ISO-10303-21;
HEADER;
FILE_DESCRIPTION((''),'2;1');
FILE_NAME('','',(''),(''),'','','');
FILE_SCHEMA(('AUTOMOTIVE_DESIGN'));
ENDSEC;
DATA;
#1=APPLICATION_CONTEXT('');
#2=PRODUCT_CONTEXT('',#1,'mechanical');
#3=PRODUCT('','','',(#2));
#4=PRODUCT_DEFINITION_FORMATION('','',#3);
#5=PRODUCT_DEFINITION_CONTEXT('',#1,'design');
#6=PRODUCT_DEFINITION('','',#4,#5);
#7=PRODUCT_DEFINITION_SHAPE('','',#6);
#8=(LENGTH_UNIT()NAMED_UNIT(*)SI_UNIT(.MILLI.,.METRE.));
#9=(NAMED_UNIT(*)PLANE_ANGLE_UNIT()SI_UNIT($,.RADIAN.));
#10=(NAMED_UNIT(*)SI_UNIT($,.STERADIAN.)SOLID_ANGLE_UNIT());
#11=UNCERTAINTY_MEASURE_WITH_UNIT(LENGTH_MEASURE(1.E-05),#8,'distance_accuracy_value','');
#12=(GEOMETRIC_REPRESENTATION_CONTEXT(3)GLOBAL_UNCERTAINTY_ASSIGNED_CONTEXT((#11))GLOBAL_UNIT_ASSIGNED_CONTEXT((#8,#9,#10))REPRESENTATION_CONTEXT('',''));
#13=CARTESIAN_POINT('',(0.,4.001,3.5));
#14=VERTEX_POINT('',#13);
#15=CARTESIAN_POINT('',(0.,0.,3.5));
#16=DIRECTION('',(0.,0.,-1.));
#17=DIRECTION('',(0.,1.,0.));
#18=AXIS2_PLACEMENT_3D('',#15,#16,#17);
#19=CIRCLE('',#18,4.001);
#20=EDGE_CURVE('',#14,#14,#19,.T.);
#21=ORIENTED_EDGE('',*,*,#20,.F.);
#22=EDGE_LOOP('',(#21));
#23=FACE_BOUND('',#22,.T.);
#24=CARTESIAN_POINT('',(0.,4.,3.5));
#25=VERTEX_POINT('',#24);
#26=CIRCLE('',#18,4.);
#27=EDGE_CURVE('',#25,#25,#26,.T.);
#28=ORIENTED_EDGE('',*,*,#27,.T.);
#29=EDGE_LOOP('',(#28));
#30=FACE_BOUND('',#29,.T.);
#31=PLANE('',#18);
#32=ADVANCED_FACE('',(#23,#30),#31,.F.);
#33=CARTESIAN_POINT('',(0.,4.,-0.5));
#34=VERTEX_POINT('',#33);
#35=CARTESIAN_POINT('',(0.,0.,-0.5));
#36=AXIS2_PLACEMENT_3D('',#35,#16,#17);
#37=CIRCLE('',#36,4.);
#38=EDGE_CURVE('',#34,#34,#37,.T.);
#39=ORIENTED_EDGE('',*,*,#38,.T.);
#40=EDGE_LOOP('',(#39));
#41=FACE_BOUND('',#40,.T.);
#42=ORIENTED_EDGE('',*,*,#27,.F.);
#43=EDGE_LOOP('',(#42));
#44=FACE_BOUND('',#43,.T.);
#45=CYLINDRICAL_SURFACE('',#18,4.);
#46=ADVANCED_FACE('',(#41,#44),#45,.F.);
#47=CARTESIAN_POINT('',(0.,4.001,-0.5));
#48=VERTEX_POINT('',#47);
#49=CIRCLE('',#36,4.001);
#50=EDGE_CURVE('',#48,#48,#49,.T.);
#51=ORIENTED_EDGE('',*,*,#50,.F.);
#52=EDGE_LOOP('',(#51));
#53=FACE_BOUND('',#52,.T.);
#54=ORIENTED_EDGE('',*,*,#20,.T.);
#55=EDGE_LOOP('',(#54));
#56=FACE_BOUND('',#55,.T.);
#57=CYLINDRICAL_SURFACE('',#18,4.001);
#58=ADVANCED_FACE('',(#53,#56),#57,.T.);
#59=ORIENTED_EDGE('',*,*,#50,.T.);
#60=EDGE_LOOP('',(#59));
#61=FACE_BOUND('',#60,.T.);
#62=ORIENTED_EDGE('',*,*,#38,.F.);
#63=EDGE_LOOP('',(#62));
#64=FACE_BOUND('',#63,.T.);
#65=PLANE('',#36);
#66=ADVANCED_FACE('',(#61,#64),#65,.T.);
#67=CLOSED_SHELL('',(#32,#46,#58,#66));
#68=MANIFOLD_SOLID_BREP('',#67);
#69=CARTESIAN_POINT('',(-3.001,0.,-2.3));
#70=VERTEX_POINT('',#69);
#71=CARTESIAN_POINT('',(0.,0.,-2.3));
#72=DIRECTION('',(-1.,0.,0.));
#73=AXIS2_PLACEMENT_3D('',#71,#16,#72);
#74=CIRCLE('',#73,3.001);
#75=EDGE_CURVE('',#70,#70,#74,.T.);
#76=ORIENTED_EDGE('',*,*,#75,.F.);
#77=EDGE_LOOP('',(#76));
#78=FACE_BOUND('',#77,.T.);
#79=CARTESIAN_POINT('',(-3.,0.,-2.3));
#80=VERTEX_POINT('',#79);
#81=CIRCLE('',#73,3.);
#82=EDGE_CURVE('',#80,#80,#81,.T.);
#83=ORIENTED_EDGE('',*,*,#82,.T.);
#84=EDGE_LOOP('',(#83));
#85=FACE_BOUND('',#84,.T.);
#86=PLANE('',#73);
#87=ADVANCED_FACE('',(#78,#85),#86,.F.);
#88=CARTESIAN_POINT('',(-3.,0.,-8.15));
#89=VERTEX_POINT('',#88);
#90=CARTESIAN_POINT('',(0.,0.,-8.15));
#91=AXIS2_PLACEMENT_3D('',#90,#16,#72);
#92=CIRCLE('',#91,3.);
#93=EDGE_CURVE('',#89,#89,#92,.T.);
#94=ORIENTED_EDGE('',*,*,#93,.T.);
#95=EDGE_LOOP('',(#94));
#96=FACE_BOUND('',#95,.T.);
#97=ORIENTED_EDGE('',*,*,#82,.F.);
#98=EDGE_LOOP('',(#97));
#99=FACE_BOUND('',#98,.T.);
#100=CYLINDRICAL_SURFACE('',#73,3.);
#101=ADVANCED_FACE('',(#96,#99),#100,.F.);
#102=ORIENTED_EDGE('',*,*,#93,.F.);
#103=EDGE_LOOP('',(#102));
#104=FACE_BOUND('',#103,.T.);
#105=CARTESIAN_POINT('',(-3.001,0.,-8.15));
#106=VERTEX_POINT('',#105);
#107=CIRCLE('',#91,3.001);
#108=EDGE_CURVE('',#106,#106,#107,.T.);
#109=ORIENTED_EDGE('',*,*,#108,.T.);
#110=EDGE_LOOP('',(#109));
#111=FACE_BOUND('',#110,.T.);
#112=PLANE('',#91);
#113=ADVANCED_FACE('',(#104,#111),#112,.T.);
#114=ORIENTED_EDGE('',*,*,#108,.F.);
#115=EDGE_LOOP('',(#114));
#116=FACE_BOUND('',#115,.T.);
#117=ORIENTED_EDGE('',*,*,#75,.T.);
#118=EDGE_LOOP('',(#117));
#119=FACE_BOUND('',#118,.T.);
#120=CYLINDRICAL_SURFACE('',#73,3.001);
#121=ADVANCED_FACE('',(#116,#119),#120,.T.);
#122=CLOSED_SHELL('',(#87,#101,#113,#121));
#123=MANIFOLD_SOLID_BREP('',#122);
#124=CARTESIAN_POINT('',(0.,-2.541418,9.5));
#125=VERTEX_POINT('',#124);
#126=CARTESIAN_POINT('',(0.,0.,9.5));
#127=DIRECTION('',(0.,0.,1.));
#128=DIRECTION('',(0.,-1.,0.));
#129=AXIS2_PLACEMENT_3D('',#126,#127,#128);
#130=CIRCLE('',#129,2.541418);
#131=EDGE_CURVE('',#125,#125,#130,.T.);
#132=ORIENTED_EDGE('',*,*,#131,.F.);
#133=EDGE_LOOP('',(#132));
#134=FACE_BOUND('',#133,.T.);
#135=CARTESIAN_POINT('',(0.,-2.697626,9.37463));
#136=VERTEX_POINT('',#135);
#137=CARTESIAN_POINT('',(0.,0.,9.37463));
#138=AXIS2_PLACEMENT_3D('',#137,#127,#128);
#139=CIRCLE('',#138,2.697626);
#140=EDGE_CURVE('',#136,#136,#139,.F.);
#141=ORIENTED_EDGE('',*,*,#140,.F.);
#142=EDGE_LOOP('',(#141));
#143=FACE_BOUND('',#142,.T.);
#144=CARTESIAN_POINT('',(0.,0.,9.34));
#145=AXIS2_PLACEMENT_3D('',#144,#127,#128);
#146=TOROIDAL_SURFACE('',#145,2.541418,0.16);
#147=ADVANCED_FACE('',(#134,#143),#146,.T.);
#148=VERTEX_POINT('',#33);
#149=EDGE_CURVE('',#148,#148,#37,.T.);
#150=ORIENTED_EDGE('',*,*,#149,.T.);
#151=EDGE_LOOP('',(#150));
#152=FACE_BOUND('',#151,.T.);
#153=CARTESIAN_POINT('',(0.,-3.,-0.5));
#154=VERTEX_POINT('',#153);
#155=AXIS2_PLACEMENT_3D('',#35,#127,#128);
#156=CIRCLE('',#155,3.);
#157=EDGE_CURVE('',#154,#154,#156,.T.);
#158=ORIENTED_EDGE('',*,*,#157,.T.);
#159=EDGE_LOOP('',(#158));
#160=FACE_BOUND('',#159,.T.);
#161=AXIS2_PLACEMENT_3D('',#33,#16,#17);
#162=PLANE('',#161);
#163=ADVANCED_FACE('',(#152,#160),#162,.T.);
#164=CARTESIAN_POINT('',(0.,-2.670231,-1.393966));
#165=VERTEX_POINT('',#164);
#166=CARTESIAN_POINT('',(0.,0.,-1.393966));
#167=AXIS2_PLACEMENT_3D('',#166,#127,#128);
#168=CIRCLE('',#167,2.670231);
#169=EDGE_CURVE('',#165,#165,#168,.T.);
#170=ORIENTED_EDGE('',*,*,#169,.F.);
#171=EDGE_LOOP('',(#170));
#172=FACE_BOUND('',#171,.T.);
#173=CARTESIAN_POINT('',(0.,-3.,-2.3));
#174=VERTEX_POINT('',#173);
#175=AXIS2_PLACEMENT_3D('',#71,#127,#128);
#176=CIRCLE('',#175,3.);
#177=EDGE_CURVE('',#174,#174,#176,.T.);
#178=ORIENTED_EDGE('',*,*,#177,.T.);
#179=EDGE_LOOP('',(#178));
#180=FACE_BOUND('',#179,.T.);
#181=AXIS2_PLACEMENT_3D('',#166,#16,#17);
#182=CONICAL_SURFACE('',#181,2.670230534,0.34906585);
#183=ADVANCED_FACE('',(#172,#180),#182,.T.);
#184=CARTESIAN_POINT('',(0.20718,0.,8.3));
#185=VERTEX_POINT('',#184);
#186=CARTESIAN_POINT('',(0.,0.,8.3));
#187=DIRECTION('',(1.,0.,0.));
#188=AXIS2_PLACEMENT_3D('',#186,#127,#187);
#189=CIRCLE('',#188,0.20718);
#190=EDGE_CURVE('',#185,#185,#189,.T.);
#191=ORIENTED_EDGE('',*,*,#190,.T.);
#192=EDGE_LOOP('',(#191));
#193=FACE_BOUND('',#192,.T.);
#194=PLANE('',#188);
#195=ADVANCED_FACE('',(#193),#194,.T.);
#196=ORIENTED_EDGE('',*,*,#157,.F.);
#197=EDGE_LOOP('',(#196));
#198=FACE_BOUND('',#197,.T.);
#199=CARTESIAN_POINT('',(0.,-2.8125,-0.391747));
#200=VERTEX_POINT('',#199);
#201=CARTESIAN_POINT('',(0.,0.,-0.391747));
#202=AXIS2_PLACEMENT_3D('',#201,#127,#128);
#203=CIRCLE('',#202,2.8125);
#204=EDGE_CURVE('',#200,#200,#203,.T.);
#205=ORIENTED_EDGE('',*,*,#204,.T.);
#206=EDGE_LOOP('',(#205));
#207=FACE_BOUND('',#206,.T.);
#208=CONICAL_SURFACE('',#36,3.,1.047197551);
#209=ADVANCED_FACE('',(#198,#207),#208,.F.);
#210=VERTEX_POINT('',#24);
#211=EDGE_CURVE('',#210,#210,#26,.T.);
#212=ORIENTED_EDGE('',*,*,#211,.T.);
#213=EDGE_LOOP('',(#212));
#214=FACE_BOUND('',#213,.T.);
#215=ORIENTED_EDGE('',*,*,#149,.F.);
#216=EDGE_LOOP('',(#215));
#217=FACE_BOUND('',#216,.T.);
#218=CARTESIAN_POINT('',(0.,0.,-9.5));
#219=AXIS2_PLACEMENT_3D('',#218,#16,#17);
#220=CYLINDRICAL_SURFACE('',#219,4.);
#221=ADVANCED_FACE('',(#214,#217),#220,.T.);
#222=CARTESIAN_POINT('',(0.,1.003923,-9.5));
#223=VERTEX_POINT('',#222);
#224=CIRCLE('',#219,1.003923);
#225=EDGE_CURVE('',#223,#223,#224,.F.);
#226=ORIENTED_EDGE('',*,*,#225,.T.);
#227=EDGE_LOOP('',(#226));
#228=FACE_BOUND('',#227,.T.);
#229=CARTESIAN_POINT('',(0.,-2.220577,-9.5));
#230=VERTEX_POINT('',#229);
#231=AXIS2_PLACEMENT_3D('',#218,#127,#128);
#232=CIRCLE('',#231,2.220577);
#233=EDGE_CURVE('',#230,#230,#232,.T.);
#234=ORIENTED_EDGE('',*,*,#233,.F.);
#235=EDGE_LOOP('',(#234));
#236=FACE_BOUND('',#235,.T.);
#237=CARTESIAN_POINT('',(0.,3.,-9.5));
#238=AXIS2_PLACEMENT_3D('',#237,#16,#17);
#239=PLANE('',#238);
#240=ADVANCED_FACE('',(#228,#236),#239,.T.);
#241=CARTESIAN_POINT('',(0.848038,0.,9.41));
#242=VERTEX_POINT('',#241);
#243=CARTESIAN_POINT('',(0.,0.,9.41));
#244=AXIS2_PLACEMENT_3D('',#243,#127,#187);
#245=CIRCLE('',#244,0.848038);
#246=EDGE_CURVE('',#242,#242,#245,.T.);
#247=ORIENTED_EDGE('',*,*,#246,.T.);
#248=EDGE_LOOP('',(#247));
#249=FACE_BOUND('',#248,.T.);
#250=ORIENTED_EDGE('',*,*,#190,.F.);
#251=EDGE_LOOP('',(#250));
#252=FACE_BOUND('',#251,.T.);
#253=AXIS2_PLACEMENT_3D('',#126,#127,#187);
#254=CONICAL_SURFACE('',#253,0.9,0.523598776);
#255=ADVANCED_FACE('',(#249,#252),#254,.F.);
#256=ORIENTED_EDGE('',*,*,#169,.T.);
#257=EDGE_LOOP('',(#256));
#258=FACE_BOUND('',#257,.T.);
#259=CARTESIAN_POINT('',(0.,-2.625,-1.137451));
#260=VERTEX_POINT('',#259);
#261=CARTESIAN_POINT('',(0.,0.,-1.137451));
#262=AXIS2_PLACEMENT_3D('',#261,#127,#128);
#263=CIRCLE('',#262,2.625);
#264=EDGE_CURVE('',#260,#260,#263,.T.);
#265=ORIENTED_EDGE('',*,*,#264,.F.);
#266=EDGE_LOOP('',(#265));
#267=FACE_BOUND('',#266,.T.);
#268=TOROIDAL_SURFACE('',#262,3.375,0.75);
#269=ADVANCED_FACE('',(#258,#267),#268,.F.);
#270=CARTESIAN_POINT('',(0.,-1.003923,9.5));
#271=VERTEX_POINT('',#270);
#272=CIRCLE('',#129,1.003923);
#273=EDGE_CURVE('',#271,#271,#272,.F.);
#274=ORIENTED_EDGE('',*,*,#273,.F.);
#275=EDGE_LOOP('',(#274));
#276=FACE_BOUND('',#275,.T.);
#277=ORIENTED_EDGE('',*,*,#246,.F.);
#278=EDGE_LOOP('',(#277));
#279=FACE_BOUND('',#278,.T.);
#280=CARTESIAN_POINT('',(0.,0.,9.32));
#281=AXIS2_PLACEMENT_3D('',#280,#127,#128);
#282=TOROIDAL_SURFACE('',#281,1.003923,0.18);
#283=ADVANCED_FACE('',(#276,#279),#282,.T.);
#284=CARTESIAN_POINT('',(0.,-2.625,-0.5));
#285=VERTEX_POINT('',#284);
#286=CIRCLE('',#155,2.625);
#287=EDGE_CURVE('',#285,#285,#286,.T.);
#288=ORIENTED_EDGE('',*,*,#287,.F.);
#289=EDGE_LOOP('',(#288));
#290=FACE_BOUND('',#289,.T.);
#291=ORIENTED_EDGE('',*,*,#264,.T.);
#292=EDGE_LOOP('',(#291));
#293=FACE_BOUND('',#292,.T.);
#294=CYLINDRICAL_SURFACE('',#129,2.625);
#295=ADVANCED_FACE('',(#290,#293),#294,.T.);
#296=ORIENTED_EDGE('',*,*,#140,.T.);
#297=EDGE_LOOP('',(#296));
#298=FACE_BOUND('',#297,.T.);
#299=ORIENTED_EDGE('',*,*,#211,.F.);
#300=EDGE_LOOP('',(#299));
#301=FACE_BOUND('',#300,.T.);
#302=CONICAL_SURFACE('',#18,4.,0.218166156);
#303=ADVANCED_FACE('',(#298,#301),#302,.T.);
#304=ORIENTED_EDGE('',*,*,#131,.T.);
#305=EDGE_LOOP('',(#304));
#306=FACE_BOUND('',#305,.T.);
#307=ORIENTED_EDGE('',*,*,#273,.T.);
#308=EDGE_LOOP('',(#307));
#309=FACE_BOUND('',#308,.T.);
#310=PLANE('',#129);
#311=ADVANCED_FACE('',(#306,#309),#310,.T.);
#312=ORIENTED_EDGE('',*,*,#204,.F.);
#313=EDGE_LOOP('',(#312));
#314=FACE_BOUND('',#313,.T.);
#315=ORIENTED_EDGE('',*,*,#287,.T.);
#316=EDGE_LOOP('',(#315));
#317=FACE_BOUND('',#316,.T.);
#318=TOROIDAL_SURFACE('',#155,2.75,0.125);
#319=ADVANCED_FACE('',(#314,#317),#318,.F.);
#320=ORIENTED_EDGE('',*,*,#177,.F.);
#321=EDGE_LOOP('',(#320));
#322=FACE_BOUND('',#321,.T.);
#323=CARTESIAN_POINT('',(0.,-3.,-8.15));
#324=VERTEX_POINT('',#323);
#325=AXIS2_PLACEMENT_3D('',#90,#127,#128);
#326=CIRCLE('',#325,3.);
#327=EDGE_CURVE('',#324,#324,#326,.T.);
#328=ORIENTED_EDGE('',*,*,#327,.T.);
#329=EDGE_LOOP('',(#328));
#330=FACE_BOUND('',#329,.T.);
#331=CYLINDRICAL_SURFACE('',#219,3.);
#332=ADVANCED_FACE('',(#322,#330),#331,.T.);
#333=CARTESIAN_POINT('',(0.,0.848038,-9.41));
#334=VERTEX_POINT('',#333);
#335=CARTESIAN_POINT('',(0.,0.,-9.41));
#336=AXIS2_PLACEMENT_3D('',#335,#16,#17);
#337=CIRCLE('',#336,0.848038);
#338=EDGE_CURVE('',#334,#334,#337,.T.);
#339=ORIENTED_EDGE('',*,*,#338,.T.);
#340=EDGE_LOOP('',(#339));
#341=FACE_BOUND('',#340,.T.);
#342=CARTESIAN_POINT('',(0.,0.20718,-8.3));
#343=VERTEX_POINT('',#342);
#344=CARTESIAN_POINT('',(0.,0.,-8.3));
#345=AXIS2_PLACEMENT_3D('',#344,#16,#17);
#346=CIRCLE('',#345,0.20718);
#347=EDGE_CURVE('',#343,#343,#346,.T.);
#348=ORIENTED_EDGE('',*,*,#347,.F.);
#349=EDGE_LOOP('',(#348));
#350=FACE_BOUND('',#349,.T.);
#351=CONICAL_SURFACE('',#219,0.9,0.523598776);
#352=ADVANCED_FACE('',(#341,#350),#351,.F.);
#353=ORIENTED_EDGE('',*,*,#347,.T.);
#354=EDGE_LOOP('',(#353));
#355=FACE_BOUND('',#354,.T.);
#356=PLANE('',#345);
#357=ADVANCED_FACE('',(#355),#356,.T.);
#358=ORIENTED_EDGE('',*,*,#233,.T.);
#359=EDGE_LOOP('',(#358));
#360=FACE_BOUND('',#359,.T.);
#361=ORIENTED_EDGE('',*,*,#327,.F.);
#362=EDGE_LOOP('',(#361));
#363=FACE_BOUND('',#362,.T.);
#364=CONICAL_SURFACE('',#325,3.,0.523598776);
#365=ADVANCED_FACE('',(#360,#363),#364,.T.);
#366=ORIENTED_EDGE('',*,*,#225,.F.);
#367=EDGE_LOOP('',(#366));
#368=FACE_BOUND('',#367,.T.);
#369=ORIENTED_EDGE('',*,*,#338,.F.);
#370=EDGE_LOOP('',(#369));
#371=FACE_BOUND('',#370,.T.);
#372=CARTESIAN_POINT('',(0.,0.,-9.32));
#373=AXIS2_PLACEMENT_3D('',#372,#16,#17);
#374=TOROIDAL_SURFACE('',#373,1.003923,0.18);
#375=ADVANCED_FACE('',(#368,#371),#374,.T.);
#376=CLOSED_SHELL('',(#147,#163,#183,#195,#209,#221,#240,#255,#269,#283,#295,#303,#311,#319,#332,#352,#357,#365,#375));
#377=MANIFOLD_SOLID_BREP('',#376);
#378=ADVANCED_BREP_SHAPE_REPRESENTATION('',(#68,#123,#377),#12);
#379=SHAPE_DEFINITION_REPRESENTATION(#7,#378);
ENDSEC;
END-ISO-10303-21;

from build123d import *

# Parameters (mm, degrees)
SKETCH10_R          = 0.9
CUT_EXTRUDE2_DEPTH  = 1.2
CUT_EXTRUDE2_TAPER  = 30
SKETCH15_R          = 0.9
CUT_EXTRUDE5_DEPTH  = 1.2
CUT_EXTRUDE5_TAPER  = 30
FILLET1_R           = 0.16
FILLET3_R           = 0.18
SKETCH17_R          = 4.001
SKETCH17_R_2        = 4
BOSS_EXTRUDE1_DEPTH = 4
SKETCH19_R          = 3.001
SKETCH19_R_2        = 3
BOSS_EXTRUDE2_DEPTH = 5.85


with BuildPart() as part:
    # Sketch3 → Revolve2 (revolve)
    with BuildSketch(Plane(origin=(0, 0, 0), x_dir=(0, 0, -1), z_dir=(1, 0, 0))):
        Polygon((-9.5, 0), (-9.5, 2.669832024), (-3.5, 4), (0.5, 4), (0.5, 3), (9.5, 3), (9.5, 0), align=None)
    revolve(axis=Axis((0, 0, -9.5), (0, 0, 1)))

    # Sketch16 → Cut-Revolve1 (revolve, cut)
    with BuildSketch(Plane(origin=(0, 0, 0), x_dir=(0, 0, -1), z_dir=(1, 0, 0))):
        with BuildLine():
            Line((0.5, 3), (0.391746825, 2.8125))
            ThreePointArc((0.391746825, 2.8125), (0.391746825, 2.6875), (0.5, 2.625))
            Line((0.5, 2.625), (1.137450732, 2.625))
            ThreePointArc((1.137450732, 2.625), (1.267686865, 2.636394185), (1.39396584, 2.670230534))
            Line((1.39396584, 2.670230534), (2.3, 3))
            Line((2.3, 3), (0.5, 3))
        make_face()
        Polygon((8.15, 3), (9.5, 2.220577137), (9.5, 3), align=None)
    revolve(axis=Axis((0, 0, 9.5), (0, 0, -1)), mode=Mode.SUBTRACT)

    # Sketch10 → Cut-Extrude2 (cut)
    with BuildSketch(Plane.XY.offset(9.5)):
        Circle(SKETCH10_R)
    extrude(amount=-CUT_EXTRUDE2_DEPTH, taper=CUT_EXTRUDE2_TAPER, mode=Mode.SUBTRACT)

    # Sketch15 → Cut-Extrude5 (cut)
    with BuildSketch(Plane(origin=(0, 0, -9.5), x_dir=(-1, 0, 0), z_dir=(0, 0, -1))):
        Circle(SKETCH15_R)
    extrude(amount=-CUT_EXTRUDE5_DEPTH, taper=CUT_EXTRUDE5_TAPER, mode=Mode.SUBTRACT)

    # Fillet1
    fillet1_edges = [part.edges().sort_by_distance(p)[0] for p in [
        (0, -2.669832024, 9.5),
    ]]
    fillet(fillet1_edges, radius=FILLET1_R)

    # Fillet3
    fillet3_edges = [part.edges().sort_by_distance(p)[0] for p in [
        (-0.9, 0, 9.5),
        (0.9, 0, -9.5),
    ]]
    fillet(fillet3_edges, radius=FILLET3_R)


with BuildPart() as body_2:
    # Sketch17 → Boss-Extrude1 (new body)
    with BuildSketch(Plane(origin=(0, 0, -0.5), x_dir=(-1, 0, 0), z_dir=(0, 0, -1))):
        Circle(SKETCH17_R)
        Circle(SKETCH17_R_2, mode=Mode.SUBTRACT)
    extrude(amount=-BOSS_EXTRUDE1_DEPTH)


with BuildPart() as body_3:
    # Sketch19 → Boss-Extrude2 (new body)
    with BuildSketch(Plane(origin=(0, 0, -8.15), x_dir=(-1, 0, 0), z_dir=(0, 0, -1))):
        Circle(SKETCH19_R)
        Circle(SKETCH19_R_2, mode=Mode.SUBTRACT)
    extrude(amount=-BOSS_EXTRUDE2_DEPTH)


solid = Compound([part.part, body_2.part, body_3.part])
